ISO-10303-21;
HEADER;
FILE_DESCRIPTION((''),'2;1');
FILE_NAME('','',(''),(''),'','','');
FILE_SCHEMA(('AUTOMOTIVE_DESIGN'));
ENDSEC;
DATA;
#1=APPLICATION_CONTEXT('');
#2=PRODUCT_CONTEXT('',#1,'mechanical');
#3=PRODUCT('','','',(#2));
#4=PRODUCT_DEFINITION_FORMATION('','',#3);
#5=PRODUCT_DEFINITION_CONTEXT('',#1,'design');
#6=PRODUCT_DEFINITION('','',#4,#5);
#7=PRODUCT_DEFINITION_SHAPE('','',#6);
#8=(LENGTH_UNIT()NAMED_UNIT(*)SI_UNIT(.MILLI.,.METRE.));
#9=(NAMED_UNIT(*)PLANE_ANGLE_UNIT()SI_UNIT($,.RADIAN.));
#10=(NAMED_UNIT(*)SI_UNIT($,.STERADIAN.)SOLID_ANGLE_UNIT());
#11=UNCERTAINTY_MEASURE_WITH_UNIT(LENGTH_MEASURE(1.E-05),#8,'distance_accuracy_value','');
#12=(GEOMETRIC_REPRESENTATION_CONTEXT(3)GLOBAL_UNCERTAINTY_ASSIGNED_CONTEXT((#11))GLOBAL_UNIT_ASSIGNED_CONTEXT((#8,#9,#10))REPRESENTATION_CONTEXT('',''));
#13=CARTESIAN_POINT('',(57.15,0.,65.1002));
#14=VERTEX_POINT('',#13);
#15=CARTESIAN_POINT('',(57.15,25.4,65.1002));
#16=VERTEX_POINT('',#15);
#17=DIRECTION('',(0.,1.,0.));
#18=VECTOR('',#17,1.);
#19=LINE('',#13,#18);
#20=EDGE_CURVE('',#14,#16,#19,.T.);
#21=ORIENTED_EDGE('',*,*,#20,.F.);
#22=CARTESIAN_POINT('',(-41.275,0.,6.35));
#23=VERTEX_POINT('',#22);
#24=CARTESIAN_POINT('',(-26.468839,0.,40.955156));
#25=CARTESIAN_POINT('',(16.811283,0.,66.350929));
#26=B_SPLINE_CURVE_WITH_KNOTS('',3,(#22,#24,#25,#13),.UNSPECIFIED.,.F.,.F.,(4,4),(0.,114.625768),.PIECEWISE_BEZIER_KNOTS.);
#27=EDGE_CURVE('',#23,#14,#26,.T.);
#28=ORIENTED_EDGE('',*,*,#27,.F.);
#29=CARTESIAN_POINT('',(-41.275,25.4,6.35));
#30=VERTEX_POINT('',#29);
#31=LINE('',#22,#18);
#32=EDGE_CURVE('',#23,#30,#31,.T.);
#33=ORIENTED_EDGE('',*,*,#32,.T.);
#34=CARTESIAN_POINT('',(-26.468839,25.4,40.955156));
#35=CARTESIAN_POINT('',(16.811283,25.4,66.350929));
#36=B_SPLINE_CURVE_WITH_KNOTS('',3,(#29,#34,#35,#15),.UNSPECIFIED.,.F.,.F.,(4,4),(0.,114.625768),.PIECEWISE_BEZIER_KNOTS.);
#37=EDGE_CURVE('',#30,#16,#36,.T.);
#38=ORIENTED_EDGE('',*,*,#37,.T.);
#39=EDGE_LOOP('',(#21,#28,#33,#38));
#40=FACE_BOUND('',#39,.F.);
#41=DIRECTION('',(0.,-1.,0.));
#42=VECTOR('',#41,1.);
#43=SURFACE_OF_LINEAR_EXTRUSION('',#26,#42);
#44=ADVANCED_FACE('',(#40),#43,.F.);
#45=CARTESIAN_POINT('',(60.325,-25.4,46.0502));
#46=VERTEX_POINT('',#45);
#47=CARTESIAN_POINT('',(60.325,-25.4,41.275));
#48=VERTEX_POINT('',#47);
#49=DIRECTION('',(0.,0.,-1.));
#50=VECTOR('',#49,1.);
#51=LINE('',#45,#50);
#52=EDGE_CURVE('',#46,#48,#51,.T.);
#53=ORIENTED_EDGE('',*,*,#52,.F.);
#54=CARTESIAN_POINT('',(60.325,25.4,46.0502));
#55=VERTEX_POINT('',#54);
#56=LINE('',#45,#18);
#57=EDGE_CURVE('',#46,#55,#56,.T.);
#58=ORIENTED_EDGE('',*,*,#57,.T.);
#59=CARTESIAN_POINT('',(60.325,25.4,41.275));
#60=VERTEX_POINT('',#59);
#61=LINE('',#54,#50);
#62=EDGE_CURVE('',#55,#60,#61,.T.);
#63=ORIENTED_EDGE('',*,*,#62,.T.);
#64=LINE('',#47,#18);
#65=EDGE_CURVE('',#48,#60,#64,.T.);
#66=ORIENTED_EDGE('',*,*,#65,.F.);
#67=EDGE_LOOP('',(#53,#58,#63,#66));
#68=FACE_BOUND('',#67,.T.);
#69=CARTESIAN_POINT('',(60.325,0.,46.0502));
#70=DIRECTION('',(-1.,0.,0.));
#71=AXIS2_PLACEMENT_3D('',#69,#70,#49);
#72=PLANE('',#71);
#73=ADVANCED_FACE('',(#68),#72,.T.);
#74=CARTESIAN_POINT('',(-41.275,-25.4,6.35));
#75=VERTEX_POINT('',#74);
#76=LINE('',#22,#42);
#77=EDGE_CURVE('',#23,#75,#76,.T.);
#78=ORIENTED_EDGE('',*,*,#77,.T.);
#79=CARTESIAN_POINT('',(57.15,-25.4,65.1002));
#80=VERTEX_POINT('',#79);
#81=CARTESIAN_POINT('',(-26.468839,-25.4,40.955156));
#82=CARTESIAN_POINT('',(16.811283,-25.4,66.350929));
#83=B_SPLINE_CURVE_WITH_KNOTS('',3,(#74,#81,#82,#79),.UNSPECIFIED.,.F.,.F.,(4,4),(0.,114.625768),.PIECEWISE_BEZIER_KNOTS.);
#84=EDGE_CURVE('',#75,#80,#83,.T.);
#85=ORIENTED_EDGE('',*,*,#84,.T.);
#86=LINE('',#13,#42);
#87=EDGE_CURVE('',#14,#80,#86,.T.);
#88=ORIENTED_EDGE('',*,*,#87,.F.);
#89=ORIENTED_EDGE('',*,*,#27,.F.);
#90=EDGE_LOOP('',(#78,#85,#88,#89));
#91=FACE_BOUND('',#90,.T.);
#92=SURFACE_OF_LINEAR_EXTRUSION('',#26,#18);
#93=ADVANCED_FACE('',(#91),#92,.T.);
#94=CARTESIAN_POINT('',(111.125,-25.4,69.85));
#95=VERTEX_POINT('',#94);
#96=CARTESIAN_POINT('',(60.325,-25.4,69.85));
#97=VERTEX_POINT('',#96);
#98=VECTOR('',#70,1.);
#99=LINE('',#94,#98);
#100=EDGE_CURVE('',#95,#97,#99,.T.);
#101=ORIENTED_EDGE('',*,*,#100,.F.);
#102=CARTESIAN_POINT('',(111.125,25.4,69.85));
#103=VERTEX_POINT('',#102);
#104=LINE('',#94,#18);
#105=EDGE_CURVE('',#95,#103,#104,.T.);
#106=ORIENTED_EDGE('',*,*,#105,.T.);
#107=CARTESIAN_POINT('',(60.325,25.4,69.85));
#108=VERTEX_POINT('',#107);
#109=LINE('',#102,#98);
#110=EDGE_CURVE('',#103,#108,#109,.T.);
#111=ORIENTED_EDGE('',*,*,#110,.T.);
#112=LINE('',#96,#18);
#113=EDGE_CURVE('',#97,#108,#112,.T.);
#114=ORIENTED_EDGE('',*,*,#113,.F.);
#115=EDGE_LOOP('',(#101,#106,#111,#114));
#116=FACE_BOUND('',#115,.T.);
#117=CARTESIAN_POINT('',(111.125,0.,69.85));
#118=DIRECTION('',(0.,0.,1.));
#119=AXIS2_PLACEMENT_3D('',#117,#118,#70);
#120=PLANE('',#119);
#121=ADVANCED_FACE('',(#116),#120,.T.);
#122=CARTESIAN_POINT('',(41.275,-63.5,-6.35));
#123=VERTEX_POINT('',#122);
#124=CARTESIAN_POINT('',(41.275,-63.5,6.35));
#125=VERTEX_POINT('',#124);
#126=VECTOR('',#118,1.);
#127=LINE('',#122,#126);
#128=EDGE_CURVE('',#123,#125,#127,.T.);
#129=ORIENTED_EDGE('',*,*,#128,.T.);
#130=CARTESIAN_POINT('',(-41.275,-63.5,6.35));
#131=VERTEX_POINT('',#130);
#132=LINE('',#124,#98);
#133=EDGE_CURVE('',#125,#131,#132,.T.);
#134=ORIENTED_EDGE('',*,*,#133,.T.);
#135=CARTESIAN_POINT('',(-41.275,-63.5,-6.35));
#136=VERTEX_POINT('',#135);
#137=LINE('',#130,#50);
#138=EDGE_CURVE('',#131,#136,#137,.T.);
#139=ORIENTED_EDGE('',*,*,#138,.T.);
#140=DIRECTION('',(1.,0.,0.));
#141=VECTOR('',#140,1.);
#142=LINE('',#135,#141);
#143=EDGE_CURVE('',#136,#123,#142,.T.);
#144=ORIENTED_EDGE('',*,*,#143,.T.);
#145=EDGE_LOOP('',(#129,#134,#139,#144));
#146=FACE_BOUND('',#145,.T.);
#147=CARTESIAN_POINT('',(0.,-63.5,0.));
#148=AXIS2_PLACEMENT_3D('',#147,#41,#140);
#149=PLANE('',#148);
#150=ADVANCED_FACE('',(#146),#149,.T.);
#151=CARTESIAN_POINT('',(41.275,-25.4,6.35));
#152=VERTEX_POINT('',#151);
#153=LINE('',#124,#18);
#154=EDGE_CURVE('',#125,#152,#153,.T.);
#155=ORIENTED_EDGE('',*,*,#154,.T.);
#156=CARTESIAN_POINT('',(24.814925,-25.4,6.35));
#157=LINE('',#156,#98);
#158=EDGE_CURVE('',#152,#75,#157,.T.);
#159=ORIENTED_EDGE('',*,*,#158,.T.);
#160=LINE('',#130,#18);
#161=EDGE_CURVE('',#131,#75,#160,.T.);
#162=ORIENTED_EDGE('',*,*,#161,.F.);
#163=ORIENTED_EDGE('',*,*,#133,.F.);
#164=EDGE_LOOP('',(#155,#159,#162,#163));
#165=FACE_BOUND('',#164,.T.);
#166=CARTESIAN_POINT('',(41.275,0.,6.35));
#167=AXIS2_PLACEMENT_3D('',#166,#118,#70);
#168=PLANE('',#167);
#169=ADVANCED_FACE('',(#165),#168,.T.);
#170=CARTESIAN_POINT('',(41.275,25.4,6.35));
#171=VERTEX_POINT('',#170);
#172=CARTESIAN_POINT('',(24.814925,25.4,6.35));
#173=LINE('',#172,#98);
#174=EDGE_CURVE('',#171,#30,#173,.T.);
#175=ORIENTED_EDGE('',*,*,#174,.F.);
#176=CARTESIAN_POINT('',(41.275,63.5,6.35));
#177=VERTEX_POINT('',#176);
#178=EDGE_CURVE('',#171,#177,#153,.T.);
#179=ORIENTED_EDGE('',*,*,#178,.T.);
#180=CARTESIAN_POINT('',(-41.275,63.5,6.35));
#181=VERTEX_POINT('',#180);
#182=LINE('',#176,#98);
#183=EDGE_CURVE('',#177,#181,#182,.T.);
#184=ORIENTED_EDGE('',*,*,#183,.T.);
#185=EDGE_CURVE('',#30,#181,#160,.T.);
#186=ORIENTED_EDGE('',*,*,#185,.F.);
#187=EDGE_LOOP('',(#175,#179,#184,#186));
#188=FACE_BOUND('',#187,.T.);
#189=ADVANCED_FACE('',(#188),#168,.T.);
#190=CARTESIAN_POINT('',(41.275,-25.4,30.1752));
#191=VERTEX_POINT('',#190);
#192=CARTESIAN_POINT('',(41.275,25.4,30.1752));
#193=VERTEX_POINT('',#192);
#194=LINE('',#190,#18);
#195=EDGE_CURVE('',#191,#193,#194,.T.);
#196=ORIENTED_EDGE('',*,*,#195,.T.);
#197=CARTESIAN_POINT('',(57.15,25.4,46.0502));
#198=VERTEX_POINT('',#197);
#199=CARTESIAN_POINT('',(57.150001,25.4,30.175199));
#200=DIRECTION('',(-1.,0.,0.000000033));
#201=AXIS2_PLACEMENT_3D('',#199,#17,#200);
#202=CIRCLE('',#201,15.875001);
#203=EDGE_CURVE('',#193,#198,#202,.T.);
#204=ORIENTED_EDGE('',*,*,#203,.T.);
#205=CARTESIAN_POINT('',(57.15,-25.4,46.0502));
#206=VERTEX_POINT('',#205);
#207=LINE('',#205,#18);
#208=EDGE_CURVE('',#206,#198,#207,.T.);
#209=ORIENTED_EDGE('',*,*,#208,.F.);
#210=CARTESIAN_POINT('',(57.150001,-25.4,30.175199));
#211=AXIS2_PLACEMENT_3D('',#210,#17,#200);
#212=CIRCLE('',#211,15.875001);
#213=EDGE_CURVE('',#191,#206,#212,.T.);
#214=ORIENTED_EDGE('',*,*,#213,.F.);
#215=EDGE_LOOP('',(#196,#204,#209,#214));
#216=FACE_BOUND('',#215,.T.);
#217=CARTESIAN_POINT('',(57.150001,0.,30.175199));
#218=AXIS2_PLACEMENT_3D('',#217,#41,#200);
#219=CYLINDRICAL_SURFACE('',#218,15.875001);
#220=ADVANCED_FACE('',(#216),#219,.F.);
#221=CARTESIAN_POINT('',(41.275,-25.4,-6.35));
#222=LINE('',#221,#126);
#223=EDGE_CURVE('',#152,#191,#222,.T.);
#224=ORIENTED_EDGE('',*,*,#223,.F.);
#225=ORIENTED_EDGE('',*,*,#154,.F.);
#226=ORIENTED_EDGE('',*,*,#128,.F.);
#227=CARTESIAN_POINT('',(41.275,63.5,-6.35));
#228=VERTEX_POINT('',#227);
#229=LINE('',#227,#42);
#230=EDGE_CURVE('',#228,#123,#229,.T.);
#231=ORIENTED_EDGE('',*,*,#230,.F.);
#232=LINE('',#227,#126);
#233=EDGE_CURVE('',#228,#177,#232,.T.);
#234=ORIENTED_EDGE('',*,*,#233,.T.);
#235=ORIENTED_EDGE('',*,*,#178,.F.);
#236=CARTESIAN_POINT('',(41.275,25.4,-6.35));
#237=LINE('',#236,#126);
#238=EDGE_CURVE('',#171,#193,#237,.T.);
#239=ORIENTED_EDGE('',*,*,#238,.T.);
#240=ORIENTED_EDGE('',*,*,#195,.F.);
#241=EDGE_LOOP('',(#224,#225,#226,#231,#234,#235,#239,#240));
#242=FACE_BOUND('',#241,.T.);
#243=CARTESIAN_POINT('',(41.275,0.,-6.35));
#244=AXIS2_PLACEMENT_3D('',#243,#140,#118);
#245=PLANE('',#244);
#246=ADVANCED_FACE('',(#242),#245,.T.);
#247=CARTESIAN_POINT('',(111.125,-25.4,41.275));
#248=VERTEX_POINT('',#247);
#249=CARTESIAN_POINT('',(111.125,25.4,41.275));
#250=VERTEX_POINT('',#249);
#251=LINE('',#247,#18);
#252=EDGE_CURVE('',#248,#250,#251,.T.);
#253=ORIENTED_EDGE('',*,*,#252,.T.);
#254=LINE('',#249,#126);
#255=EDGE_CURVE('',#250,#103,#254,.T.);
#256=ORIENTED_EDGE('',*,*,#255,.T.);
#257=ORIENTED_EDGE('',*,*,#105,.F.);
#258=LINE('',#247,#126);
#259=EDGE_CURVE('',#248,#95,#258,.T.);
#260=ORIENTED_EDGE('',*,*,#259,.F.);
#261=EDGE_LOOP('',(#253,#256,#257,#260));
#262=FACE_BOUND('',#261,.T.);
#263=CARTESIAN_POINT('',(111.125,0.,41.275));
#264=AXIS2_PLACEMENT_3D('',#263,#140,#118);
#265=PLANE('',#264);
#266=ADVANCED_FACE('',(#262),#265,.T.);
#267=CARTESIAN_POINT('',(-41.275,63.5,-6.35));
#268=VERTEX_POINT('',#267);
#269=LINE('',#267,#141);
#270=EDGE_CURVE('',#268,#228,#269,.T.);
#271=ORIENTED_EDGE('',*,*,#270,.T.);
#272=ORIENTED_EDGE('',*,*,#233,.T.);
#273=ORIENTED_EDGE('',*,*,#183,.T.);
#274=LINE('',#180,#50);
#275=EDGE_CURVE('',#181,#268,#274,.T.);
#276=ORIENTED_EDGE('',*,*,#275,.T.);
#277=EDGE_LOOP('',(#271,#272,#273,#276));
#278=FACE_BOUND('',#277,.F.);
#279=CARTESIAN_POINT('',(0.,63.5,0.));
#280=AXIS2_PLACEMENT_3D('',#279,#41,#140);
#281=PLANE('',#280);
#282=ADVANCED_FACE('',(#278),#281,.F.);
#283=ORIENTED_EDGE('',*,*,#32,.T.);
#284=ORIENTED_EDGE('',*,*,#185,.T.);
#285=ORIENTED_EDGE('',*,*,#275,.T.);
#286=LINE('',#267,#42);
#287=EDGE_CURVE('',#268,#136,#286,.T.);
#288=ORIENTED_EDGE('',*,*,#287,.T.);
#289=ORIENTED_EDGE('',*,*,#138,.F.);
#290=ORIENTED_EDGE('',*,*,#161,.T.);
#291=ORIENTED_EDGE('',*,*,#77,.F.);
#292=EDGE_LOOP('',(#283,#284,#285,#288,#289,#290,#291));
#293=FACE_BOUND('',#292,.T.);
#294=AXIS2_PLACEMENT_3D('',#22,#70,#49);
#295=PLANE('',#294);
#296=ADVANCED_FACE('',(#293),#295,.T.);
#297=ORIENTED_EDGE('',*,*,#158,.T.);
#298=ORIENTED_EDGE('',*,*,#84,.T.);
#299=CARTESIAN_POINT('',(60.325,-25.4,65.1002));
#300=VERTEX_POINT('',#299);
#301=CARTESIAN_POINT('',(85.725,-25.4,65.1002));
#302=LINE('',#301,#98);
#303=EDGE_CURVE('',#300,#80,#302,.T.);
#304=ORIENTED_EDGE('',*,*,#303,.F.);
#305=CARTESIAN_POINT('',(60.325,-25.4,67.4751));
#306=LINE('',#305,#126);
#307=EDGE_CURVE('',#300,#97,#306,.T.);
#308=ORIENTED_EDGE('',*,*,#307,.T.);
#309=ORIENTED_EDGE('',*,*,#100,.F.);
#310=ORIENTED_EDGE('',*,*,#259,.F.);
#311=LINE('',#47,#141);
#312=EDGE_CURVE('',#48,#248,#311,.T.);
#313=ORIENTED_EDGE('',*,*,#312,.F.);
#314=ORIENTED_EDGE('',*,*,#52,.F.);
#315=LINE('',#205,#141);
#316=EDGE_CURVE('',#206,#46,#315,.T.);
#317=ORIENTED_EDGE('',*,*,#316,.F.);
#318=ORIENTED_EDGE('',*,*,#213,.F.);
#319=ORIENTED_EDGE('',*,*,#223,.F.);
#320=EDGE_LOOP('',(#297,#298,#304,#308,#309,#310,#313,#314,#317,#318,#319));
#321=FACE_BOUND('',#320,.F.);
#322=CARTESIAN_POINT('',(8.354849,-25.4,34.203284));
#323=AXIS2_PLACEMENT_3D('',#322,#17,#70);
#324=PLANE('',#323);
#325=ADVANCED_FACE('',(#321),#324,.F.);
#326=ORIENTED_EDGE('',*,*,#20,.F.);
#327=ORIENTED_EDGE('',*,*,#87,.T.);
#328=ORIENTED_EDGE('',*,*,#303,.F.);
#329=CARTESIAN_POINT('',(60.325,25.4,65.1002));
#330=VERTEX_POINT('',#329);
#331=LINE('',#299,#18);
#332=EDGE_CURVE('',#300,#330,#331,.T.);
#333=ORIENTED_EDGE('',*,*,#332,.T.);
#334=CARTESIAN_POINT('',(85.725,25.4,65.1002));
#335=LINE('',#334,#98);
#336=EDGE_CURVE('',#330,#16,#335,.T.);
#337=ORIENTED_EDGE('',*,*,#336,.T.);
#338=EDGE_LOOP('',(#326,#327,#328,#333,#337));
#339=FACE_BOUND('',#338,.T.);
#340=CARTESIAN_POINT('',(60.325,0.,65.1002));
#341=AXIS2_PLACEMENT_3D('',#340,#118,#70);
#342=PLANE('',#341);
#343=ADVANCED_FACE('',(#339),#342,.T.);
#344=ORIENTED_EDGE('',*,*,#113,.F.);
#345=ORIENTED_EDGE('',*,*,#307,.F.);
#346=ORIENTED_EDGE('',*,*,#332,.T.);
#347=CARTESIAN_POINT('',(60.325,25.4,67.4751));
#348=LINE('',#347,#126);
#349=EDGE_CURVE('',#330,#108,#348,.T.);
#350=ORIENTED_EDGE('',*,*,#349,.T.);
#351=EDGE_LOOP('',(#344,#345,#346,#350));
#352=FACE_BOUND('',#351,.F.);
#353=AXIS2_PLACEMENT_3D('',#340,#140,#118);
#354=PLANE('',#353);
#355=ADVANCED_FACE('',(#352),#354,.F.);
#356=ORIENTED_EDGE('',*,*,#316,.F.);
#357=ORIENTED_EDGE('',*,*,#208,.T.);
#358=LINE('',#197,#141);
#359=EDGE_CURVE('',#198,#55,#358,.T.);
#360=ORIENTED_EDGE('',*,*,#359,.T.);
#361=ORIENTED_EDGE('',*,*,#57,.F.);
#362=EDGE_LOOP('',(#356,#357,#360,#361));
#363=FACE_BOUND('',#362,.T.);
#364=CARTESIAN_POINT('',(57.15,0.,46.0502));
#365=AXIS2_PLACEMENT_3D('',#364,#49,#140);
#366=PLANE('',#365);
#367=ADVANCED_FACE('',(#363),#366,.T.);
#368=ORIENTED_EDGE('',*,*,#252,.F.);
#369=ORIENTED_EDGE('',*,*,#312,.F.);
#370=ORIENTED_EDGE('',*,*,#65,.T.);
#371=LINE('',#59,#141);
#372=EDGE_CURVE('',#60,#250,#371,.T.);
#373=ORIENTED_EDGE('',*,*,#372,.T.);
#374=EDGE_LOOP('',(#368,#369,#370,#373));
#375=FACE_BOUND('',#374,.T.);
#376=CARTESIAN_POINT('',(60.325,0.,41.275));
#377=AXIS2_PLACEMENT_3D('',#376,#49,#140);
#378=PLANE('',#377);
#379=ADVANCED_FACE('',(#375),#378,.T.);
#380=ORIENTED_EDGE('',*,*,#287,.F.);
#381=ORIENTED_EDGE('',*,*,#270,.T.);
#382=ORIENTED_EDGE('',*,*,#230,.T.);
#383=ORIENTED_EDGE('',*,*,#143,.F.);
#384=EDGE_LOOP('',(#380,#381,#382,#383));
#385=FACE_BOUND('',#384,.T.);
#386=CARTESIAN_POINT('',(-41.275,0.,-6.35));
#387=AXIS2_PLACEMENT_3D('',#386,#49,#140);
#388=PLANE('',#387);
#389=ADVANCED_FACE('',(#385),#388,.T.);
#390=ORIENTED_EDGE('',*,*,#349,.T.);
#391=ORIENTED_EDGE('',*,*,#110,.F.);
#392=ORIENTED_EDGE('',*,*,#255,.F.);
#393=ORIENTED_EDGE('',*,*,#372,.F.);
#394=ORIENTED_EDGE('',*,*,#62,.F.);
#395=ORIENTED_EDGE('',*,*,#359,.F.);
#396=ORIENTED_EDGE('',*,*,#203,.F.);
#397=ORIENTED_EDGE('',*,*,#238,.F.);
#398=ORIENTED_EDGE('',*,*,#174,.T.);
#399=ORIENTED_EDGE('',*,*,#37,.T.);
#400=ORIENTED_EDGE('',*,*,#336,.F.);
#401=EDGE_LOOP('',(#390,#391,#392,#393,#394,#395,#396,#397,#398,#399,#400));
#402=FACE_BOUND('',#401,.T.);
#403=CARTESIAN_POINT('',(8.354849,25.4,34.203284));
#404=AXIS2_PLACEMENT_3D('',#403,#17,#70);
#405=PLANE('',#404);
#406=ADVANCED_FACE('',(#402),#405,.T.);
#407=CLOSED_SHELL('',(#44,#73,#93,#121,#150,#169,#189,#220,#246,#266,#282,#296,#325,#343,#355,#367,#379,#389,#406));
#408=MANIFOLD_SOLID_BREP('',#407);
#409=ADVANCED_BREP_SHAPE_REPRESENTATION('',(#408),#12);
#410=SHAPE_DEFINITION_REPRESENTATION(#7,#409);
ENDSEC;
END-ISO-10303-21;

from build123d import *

# Parameters (mm, degrees)
F1_DEPTH = 63.5
F0_W     = 25.4
F0_H     = 4.7498
F2_DEPTH = 25.4


with BuildPart() as f1:
    # F0 (on Front) → F1 (new body, symmetric)
    with BuildSketch(Plane.XZ):
        Polygon((22.225, 6.35), (-41.275, 6.35), (-41.275, -6.35), (41.275, -6.35), (41.275, 6.35), align=None)
    extrude(amount=F1_DEPTH, both=True)

    # F0 (on Front) → F2 (join, symmetric)
    with BuildSketch(Plane.XZ):
        with BuildLine():
            add(Edge.make_bspline(
                [(-41.275, 6.35), (-26.468839, 40.955156), (16.811283, 66.350929), (57.15, 65.1002)],
                knots=[0, 0, 0, 0, 114.625768, 114.625768, 114.625768, 114.625768], degree=3))
            Line((-41.275, 6.35), (22.225, 6.35))
            Line((22.225, 6.35), (22.225, 30.1752))
            ThreePointArc((22.225, 30.1752), (32.454296, 54.870904), (57.15, 65.1002))
        make_face()
        Polygon((22.225, 6.35), (-41.275, 6.35), (-41.275, -6.35), (41.275, -6.35), (41.275, 6.35), align=None)
        with BuildLine():
            Line((22.225, 30.1752), (22.225, 6.35))
            Line((22.225, 6.35), (41.275, 6.35))
            Line((41.275, 6.35), (41.275, 30.1752))
            ThreePointArc((41.275, 30.1752), (45.92468, 41.40052), (57.15, 46.0502))
            Line((57.15, 46.0502), (60.325, 46.0502))
            Line((60.325, 46.0502), (60.325, 65.1002))
            Line((60.325, 65.1002), (57.15, 65.1002))
            ThreePointArc((57.15, 65.1002), (32.454296, 54.870904), (22.225, 30.1752))
        make_face()
        Polygon((85.725, 65.1002), (60.325, 65.1002), (60.325, 46.0502), (60.325, 41.275), (111.125, 41.275), (111.125, 69.85), (85.725, 69.85), align=None)
        with Locations((73.025, 67.4751)):
            Rectangle(F0_W, F0_H)
    extrude(amount=F2_DEPTH, both=True)


solid = f1.part
